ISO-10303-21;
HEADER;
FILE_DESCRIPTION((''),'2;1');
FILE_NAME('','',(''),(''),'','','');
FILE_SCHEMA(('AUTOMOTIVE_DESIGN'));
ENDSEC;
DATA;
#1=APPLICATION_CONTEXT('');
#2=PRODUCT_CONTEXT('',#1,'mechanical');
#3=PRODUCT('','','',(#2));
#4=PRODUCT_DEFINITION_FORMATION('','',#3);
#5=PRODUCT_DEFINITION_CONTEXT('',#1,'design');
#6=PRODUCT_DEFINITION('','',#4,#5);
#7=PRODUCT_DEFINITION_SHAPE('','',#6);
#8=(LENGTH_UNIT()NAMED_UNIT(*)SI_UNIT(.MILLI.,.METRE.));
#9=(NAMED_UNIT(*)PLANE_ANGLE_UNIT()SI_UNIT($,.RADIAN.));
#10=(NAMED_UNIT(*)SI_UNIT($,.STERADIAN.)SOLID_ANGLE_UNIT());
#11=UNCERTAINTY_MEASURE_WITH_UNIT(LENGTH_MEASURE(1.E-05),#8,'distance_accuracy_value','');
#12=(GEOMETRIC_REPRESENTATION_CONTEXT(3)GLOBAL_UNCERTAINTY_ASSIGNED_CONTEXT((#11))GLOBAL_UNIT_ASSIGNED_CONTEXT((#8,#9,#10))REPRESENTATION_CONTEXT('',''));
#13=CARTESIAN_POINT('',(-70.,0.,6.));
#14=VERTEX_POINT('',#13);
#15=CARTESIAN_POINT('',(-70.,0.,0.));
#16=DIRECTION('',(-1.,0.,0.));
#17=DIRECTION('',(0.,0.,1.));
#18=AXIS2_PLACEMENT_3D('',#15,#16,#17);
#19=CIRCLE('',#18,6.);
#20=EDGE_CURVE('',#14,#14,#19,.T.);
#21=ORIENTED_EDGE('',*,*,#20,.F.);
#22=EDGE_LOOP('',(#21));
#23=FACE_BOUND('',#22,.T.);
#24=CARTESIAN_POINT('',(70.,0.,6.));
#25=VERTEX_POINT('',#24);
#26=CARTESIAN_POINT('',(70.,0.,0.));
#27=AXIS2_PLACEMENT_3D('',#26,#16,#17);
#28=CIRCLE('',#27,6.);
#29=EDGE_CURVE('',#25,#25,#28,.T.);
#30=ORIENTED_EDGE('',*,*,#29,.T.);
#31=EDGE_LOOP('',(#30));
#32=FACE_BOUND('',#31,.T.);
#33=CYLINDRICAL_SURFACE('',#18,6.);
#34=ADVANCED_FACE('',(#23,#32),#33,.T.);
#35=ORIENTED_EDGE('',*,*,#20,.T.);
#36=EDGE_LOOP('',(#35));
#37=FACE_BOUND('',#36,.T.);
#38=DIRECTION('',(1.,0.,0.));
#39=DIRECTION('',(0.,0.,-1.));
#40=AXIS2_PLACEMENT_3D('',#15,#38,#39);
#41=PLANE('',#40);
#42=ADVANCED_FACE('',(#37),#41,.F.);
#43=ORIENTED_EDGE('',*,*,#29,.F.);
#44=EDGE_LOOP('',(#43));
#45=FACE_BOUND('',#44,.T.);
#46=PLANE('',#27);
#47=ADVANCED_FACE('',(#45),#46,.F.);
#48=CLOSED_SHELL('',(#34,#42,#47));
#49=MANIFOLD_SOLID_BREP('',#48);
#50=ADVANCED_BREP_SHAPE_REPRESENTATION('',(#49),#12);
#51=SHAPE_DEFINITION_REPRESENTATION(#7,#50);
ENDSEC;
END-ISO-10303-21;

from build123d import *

# Parameters (mm, degrees)
ESQUISSE1_W = 140
ESQUISSE1_H = 6


with BuildPart() as part:
    # Esquisse1 → Révolution1 (revolve)
    with BuildSketch(Plane(origin=(0, 0, 0), x_dir=(1, 0, 0), z_dir=(0, 1, 0)), mode=Mode.PRIVATE) as r_volution1_sk:
        with Locations((0, 3)):
            Rectangle(ESQUISSE1_W, ESQUISSE1_H)
    revolve(r_volution1_sk.sketch.rotate(Axis((-70, 0, 0), (1, 0, 0)), 180), axis=Axis((-70, 0, 0), (1, 0, 0)))


solid = part.part
